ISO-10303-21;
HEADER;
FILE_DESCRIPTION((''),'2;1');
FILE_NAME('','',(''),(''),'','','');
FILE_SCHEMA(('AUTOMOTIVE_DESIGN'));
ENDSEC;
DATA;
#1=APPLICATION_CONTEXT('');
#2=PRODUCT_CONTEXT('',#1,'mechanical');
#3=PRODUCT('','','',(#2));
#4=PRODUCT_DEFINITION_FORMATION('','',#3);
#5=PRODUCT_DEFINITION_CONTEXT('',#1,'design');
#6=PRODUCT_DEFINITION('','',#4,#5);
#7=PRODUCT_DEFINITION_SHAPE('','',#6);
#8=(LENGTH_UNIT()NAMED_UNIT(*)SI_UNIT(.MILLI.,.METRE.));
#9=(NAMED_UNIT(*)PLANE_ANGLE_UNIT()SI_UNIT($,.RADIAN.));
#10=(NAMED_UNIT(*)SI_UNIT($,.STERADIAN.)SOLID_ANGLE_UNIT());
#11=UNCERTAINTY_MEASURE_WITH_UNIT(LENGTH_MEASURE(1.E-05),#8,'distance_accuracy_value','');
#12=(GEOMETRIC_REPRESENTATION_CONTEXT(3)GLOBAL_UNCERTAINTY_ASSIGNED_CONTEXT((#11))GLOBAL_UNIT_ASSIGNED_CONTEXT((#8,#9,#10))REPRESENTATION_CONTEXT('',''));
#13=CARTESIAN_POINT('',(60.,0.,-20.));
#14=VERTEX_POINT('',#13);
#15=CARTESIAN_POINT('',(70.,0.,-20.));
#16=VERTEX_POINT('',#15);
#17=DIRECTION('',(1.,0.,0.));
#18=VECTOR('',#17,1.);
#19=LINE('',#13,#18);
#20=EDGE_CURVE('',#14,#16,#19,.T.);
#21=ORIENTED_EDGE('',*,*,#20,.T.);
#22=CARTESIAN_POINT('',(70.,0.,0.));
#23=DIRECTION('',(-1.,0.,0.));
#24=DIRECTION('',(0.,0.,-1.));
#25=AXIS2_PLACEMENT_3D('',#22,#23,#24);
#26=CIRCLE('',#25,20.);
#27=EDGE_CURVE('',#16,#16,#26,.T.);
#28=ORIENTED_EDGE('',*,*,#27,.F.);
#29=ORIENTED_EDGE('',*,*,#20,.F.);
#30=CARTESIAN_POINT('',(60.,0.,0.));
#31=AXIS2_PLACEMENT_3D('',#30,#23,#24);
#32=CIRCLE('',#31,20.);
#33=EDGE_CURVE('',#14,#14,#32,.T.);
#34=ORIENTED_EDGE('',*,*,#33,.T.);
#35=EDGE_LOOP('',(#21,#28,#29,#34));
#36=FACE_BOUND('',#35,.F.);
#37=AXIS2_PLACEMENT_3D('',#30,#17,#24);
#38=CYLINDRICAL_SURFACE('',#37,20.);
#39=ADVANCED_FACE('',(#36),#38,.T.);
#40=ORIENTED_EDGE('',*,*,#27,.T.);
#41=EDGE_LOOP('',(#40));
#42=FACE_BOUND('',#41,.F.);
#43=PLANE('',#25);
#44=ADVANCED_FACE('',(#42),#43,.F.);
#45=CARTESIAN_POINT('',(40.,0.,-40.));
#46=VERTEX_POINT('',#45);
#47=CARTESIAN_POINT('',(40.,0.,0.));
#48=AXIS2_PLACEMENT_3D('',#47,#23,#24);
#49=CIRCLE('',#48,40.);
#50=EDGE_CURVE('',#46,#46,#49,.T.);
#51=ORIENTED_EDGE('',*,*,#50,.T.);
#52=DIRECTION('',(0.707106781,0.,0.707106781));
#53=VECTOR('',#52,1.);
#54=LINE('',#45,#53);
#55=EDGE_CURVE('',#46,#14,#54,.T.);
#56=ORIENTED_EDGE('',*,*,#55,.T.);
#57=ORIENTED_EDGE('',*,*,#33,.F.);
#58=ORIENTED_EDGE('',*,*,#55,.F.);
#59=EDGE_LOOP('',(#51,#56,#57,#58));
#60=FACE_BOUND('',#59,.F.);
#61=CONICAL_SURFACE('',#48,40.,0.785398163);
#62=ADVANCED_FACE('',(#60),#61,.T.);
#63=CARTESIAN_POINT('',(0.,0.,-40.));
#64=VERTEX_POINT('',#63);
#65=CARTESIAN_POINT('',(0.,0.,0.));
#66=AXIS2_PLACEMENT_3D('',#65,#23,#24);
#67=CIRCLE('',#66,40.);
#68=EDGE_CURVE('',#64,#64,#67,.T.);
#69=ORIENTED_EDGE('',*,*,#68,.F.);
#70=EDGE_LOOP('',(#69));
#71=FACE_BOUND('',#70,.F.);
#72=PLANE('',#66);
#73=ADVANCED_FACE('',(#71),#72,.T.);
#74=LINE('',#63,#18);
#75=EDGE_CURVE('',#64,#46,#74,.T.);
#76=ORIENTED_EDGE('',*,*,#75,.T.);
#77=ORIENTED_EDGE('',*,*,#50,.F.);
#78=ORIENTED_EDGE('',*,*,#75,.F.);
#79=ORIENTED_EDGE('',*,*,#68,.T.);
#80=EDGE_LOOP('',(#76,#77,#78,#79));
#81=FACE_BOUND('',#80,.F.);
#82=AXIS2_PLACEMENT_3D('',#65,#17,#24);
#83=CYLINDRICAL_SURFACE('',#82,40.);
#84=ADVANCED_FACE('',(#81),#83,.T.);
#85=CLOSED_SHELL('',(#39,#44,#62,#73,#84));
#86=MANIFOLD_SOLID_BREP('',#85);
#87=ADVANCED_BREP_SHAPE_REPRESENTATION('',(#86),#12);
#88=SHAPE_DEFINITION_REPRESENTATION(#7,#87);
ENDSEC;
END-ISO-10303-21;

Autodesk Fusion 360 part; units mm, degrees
sketch "Sketch1" plane through (0, 0, 0) normal (0, 1, 0) x (1, 0, 0)
  line L0 (0, 0) -> (0, 40)
  line L1 (0, 40) -> (40, 40)
  line L2 (40, 40) -> (60, 20)
  line L3 (60, 20) -> (70, 20)
  line L4 (70, 20) -> (70, 0)
  line L5 (70, 0) -> (0, 0)
revolve "Revolve1" add sketch "Sketch1" angle 360 about axis through (70, 0, 0) along (-1, 0, 0)
